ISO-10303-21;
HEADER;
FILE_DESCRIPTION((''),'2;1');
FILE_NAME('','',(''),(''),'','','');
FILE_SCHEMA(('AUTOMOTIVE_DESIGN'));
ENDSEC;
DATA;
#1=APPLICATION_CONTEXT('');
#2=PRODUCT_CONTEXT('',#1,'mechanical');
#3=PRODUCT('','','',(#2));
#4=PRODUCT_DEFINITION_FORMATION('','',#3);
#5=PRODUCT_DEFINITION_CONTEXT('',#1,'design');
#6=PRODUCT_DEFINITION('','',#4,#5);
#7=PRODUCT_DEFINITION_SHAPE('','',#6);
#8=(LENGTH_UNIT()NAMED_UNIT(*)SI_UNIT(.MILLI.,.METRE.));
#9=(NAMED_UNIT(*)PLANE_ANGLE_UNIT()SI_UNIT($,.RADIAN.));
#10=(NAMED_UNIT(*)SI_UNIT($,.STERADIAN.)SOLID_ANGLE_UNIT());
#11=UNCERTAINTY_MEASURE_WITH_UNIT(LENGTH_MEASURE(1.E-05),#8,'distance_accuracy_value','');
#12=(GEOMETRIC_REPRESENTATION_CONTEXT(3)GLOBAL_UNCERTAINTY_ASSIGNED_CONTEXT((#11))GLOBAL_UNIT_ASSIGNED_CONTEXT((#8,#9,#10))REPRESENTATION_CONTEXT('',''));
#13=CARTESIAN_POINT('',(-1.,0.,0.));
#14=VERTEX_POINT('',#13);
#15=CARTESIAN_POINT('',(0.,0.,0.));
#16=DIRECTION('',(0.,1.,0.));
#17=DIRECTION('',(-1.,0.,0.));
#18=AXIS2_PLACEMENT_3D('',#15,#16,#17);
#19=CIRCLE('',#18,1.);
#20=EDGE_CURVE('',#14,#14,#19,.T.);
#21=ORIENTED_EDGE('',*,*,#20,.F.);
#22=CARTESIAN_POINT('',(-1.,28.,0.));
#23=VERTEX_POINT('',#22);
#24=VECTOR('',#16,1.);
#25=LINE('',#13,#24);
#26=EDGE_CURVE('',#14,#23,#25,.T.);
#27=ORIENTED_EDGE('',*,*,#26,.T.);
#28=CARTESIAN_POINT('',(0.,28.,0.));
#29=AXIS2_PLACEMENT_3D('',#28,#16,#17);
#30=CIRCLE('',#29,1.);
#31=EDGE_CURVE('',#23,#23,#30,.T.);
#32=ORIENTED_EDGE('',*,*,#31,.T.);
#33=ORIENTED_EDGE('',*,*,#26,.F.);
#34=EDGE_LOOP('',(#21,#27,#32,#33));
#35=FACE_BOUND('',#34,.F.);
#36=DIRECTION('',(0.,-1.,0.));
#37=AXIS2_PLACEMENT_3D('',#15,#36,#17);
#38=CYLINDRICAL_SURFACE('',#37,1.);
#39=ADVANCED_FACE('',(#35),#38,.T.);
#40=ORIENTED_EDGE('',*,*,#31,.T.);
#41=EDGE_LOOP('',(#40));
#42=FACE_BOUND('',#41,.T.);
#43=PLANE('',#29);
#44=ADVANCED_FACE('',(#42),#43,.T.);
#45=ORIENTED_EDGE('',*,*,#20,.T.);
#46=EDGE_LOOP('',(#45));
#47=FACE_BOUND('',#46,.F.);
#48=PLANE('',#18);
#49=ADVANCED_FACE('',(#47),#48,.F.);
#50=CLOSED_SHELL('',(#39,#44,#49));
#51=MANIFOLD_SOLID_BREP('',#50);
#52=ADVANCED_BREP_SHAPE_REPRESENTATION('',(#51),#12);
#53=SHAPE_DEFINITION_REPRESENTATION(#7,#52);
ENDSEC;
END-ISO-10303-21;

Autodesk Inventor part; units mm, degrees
ref_plane "YZ Plane" through (0, 0, 0) normal (1, 0, 0) x (0, 1, 0)
ref_plane "XZ Plane" through (0, 0, 0) normal (0, 1, 0) x (-1, 0, 0)
ref_plane "XY Plane" through (0, 0, 0) normal (0, 0, 1) x (1, 0, 0)
sketch "Sketch1" plane through (0, 0, 0) normal (0, 1, 0) x (-1, 0, 0)
  circle A0 centre (0, 0) radius 1
  dimension "d0" = 2
extrude "Extrusion1" add sketch "Sketch1" along normal blind 28
properties part number "LaserBeamCenter4"
